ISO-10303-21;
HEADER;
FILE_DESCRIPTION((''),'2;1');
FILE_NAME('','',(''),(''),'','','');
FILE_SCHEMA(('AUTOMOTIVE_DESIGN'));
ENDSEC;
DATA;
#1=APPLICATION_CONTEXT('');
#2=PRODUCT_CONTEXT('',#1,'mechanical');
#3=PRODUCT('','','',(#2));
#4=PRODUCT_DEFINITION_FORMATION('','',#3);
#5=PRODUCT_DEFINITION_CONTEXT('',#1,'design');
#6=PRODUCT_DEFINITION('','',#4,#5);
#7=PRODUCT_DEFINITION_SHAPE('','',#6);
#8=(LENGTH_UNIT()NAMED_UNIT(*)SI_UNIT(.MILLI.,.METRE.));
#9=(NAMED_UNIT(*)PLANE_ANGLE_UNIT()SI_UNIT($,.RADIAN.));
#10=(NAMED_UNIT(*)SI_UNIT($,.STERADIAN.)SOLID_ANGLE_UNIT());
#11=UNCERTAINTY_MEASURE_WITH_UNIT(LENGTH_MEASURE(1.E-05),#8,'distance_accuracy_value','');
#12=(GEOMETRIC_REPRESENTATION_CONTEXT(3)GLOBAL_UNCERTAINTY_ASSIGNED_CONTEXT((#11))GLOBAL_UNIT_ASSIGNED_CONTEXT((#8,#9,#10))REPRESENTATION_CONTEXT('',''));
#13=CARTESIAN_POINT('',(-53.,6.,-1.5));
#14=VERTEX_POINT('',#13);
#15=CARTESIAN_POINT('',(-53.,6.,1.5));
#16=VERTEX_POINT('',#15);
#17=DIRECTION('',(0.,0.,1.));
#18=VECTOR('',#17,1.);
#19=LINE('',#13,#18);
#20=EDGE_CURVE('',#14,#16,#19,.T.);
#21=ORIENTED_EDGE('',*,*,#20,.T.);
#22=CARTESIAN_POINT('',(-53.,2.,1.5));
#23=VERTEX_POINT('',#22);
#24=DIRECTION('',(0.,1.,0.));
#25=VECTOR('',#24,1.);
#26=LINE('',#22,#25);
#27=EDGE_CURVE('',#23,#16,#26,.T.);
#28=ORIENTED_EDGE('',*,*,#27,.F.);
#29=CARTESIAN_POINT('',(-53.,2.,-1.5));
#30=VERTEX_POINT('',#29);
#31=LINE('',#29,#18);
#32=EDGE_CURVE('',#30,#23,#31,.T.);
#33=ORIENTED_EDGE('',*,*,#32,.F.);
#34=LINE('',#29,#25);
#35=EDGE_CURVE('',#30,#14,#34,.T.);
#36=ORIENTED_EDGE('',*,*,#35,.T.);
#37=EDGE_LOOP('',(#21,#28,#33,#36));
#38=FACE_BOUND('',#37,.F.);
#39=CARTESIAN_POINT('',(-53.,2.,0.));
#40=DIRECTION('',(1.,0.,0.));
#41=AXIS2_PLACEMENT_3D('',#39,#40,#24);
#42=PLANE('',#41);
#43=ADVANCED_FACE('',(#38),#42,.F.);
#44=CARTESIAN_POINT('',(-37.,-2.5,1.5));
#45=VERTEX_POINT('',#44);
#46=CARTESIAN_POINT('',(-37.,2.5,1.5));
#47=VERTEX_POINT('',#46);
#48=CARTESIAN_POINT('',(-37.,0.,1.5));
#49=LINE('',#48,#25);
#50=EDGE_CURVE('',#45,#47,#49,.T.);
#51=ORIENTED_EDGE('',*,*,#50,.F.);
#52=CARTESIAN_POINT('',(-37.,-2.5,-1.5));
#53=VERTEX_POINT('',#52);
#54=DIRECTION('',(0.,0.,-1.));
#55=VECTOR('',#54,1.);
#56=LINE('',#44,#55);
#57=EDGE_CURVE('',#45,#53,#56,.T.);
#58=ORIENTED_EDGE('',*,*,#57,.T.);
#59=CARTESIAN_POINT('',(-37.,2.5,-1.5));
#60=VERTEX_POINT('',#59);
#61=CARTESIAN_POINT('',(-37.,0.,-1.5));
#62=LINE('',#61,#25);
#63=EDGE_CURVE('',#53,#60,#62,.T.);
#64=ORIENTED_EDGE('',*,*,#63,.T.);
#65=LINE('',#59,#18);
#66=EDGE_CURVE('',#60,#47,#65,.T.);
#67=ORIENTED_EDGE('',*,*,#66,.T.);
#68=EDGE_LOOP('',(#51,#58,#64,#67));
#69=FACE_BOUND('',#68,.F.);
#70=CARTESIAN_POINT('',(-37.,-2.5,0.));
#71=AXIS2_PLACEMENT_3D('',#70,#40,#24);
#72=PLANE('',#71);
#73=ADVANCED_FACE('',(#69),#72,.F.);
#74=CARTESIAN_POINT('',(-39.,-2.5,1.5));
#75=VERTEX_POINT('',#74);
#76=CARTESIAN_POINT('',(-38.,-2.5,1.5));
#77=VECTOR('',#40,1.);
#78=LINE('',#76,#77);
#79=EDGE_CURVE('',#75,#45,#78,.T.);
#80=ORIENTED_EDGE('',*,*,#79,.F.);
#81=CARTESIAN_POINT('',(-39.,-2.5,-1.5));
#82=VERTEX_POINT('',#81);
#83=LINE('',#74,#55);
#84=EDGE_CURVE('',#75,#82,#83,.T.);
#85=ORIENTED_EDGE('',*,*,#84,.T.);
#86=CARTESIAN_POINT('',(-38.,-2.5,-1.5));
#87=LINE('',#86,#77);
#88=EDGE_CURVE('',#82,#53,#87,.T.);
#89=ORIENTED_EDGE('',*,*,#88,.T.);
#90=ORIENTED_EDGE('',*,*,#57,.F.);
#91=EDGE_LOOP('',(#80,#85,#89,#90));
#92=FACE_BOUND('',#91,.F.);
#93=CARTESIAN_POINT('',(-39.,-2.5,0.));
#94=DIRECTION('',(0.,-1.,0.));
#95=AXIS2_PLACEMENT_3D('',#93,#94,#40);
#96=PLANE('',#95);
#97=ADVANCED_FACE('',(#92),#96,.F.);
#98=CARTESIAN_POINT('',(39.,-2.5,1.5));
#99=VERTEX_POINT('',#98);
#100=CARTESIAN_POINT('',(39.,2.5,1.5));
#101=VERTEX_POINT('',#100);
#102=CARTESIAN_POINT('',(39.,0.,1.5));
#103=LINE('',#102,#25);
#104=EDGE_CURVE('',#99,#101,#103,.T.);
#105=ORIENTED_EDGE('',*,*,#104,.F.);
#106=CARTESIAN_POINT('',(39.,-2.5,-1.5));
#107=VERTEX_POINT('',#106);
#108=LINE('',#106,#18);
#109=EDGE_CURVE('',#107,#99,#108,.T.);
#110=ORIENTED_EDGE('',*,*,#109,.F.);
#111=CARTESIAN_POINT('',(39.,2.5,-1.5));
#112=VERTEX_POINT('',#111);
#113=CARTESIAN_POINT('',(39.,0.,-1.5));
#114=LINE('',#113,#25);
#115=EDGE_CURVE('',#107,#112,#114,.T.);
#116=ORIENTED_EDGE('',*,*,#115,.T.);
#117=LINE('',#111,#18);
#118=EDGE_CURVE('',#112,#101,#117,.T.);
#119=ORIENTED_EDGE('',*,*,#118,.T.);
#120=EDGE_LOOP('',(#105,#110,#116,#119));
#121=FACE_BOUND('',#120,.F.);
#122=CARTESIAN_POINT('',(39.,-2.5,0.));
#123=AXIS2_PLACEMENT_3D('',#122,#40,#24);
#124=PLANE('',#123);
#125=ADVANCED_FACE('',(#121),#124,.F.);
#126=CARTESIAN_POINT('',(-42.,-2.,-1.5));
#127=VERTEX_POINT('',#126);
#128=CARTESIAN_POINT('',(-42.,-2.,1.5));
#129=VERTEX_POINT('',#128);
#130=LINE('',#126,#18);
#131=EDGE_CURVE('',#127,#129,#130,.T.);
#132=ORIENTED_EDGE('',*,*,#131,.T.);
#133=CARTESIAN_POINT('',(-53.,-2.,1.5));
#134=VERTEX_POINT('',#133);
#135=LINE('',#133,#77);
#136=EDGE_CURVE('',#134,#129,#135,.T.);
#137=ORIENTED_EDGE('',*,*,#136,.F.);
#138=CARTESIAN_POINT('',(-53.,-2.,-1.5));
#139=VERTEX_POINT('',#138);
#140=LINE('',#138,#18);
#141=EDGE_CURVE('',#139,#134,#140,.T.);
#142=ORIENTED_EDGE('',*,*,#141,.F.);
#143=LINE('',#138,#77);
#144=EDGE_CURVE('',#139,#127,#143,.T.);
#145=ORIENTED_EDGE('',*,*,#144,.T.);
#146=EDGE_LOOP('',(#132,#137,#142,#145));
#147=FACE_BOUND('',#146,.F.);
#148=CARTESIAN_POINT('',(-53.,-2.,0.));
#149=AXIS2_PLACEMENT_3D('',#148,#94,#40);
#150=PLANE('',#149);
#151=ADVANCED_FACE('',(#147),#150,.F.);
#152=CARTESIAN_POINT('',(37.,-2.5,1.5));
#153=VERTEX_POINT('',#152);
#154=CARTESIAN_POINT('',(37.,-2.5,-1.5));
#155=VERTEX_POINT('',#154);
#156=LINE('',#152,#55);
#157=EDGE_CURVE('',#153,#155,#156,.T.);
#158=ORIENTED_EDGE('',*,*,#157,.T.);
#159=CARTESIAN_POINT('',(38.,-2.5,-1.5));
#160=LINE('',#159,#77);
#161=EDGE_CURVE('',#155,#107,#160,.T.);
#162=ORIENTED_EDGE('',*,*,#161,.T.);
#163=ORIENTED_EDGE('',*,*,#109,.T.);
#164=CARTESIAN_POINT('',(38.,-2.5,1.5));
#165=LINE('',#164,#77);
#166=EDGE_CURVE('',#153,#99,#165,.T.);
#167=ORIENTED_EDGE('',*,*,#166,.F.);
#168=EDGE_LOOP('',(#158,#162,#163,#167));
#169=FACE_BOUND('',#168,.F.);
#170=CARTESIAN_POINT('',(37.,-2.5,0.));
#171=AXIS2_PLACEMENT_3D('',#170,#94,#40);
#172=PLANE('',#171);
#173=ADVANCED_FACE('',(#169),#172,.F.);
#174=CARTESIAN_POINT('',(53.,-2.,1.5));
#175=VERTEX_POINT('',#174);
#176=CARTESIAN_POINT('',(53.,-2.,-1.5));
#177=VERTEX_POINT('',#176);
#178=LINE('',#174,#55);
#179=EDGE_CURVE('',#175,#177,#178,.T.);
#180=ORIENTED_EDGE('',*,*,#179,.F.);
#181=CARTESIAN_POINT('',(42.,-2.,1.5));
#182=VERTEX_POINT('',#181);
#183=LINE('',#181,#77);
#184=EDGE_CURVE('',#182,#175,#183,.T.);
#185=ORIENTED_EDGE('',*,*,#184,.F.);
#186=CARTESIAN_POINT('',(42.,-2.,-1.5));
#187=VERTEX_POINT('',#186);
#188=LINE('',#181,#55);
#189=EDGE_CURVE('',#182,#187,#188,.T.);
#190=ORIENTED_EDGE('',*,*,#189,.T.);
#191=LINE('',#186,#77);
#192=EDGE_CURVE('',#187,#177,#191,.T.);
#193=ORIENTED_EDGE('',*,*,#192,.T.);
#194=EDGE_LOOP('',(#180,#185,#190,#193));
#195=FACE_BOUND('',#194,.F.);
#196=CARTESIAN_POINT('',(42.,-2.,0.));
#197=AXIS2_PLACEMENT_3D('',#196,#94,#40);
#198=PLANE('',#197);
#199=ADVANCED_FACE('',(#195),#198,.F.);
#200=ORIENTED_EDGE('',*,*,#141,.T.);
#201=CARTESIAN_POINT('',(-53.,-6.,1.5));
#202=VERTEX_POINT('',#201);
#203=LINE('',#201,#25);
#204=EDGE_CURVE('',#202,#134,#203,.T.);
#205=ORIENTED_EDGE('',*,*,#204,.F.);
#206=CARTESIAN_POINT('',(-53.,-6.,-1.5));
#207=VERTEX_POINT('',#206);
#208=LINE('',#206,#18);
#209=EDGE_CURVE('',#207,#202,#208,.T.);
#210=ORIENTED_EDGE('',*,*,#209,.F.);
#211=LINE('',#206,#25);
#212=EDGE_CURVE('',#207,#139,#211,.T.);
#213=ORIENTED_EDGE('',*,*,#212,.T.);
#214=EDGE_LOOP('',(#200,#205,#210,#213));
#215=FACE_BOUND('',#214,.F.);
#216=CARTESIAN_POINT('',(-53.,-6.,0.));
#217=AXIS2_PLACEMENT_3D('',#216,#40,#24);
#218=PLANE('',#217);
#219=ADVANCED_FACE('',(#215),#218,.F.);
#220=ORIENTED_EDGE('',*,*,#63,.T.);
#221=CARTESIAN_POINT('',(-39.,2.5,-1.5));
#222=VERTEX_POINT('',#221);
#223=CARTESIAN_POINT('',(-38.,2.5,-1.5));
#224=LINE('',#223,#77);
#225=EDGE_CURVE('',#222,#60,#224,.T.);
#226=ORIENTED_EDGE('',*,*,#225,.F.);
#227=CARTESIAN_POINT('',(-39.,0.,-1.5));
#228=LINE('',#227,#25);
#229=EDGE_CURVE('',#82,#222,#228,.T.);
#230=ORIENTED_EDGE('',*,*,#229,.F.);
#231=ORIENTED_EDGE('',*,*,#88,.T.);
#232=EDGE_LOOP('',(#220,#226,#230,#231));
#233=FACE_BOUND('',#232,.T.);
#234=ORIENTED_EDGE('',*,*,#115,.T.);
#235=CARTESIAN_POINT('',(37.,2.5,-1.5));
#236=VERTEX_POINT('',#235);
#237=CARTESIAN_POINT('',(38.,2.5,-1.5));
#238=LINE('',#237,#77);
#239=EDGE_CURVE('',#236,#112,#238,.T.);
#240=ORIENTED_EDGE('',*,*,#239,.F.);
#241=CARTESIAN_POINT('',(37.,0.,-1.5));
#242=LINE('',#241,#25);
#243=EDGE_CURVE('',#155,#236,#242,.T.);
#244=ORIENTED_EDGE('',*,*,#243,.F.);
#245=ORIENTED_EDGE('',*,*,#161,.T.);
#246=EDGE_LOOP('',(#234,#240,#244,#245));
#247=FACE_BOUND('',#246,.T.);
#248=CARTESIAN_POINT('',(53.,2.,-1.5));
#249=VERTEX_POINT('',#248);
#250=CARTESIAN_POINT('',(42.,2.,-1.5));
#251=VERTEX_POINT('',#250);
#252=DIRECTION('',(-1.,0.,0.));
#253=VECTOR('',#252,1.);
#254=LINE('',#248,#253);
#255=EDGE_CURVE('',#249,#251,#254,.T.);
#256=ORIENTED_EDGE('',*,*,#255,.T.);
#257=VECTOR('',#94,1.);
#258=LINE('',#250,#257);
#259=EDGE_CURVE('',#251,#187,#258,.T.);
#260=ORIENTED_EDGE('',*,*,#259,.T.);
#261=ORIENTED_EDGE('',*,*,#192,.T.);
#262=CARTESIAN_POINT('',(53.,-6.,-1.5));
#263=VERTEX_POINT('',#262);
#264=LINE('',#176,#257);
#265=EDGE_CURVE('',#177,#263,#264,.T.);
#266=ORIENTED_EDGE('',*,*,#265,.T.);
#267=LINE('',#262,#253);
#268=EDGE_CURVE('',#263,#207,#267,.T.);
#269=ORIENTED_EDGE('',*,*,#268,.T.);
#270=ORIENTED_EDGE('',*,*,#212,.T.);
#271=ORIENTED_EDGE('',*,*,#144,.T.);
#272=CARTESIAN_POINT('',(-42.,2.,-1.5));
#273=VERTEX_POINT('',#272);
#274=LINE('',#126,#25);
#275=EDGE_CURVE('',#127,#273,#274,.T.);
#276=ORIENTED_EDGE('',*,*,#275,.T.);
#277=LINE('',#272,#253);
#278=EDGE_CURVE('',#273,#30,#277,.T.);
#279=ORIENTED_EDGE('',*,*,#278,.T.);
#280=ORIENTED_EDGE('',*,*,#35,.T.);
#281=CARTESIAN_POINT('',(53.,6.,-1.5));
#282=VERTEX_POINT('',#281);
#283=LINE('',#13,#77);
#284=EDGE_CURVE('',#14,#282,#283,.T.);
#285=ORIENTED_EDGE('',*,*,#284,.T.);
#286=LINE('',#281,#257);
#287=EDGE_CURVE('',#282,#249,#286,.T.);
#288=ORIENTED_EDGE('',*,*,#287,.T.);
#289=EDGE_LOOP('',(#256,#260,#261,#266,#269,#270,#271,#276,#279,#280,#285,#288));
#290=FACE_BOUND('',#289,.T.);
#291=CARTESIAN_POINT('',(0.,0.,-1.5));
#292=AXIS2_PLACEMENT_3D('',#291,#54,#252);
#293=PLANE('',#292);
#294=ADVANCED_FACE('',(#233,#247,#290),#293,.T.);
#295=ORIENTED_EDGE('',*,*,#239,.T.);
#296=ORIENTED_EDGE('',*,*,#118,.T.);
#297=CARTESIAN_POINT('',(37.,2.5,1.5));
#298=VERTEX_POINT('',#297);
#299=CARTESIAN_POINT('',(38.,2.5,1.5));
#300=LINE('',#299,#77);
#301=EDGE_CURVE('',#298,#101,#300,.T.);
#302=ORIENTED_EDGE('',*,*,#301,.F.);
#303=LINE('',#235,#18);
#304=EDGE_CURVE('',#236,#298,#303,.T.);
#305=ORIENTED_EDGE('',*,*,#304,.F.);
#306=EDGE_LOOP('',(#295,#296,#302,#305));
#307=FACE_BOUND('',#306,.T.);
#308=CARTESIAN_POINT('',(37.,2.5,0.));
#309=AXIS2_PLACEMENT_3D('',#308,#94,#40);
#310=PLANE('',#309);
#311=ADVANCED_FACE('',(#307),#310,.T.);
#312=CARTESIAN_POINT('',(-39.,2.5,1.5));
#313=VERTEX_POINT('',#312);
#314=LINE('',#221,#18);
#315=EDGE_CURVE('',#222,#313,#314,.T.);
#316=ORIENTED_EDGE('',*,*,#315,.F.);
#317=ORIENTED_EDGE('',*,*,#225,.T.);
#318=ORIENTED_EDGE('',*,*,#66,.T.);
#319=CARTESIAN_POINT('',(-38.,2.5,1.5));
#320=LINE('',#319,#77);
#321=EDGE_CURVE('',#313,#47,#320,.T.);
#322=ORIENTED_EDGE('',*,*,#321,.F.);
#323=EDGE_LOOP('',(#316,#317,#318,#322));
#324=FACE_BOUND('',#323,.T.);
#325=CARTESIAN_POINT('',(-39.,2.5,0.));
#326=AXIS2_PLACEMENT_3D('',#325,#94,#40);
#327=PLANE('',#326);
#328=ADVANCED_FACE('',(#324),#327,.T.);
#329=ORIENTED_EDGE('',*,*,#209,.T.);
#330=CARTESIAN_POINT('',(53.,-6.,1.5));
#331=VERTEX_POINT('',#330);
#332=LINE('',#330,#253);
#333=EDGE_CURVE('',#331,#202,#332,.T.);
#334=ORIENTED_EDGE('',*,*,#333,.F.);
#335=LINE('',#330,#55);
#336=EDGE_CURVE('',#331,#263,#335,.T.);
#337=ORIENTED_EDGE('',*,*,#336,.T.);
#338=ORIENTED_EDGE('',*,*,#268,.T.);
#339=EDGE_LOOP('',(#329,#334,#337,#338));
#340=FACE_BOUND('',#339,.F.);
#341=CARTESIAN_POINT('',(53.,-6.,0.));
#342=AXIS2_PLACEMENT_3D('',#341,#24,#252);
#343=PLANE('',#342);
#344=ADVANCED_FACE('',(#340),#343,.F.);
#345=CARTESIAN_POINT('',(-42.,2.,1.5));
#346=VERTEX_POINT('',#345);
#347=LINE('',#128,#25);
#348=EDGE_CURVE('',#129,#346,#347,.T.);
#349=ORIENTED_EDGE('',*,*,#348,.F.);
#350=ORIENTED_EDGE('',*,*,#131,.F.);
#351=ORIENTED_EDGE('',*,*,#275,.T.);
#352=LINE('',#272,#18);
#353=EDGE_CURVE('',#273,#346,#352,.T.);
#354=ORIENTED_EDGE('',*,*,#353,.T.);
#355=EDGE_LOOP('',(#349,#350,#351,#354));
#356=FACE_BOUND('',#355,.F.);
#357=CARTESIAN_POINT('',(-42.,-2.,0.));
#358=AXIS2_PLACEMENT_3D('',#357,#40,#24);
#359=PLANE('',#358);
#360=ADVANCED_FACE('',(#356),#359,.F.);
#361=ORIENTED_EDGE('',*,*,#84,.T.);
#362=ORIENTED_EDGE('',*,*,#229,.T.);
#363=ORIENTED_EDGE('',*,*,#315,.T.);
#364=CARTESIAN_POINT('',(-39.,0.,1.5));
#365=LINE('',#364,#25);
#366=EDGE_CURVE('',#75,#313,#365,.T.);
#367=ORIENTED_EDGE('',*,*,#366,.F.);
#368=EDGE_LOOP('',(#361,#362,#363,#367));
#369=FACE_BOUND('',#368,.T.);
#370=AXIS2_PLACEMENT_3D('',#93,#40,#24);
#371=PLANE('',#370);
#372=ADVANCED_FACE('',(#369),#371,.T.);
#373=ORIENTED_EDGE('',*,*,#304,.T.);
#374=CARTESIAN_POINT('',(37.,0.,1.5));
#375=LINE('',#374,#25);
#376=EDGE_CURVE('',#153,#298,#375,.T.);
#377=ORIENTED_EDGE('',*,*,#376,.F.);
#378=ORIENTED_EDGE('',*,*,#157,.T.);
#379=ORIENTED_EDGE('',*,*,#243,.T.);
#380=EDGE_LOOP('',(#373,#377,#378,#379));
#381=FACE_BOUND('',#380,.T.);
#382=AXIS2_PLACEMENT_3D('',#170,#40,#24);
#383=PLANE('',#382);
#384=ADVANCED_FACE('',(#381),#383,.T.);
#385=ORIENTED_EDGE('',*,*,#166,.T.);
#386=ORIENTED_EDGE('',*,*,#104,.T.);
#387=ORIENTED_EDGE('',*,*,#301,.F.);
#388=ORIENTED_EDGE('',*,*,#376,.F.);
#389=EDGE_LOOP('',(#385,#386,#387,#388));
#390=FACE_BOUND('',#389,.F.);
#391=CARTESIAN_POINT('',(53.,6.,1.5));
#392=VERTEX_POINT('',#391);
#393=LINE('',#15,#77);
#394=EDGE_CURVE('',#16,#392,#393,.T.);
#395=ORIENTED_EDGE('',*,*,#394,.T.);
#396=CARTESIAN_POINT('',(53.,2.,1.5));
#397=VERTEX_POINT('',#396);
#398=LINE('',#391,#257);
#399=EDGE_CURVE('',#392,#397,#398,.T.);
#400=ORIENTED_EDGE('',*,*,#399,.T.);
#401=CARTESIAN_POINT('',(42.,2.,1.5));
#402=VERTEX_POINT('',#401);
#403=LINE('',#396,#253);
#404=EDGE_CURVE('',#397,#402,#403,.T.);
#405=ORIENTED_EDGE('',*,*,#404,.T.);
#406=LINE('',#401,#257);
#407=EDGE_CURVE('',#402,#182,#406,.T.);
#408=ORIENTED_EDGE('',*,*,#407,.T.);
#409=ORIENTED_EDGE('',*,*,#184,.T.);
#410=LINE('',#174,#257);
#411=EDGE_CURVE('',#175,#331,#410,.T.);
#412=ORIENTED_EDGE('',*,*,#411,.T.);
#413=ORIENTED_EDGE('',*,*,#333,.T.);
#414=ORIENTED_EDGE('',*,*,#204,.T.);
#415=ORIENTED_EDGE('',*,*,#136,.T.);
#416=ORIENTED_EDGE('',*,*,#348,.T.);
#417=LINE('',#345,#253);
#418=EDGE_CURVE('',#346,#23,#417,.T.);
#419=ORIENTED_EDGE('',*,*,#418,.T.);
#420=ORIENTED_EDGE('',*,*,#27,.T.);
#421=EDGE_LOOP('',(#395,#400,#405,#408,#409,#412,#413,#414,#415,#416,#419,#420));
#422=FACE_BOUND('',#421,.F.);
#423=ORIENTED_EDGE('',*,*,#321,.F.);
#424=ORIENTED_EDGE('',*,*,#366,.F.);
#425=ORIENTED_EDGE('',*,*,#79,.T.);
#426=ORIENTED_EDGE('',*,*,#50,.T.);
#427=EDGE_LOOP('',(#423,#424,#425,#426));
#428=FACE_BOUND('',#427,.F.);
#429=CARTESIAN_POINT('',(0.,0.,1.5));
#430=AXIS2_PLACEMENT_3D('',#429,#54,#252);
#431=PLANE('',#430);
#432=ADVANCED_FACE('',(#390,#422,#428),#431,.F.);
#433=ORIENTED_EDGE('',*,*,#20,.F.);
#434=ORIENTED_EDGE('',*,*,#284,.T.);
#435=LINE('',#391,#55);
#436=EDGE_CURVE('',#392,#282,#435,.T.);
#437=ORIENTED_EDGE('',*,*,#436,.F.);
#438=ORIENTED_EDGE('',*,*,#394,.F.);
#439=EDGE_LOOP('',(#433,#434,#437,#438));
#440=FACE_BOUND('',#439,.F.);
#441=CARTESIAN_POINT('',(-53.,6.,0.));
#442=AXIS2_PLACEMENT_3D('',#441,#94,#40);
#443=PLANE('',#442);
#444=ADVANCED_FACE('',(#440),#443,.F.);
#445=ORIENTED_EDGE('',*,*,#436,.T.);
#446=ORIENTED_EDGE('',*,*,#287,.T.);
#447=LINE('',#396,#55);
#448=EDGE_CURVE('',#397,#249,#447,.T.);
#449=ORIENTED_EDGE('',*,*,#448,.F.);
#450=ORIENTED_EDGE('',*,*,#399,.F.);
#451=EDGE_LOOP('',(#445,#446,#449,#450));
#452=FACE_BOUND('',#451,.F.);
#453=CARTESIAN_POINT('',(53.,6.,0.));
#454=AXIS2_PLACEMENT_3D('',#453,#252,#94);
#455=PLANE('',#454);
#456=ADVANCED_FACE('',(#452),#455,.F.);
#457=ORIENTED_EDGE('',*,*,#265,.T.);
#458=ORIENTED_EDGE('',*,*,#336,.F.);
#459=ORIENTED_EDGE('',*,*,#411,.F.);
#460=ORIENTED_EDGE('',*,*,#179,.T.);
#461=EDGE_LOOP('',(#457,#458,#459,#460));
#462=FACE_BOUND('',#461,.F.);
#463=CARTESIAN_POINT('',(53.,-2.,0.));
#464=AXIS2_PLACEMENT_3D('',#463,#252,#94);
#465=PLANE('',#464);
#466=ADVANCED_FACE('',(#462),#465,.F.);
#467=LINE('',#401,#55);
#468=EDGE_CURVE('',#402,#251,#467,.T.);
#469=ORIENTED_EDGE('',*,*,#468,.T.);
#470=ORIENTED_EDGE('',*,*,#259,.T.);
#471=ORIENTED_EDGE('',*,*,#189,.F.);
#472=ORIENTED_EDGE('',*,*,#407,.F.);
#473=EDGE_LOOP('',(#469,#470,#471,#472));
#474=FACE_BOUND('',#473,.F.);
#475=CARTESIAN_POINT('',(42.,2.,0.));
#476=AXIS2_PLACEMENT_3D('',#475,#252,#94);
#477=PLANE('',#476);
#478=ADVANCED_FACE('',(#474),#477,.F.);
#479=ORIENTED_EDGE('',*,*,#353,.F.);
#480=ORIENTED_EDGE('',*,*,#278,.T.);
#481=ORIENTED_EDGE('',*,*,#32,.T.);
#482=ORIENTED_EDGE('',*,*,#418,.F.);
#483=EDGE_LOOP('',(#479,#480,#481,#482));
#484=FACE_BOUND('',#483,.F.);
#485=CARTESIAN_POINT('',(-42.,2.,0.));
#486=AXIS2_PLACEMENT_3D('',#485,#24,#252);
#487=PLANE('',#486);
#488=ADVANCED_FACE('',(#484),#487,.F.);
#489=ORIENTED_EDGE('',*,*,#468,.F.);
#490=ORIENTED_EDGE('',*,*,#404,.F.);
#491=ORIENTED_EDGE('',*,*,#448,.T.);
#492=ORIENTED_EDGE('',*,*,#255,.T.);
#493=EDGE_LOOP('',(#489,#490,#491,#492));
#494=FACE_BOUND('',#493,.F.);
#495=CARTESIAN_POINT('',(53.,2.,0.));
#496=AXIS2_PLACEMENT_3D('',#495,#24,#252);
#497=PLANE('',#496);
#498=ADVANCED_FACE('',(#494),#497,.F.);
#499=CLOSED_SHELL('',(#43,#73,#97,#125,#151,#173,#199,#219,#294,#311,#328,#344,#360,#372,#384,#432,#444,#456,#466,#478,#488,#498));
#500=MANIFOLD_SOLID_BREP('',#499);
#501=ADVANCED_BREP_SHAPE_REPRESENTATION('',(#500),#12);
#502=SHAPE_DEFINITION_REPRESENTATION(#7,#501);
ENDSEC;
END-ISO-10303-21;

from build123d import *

# Parameters (mm, degrees)
SKETCH_W  = 2
SKETCH_H  = 5
PAD_DEPTH = 1.5


with BuildPart() as part:
    # Sketch → Pad (new body, symmetric)
    with BuildSketch(Plane.XY):
        Polygon((-53, 6), (53, 6), (53, 2), (42, 2), (42, -2), (53, -2), (53, -6), (-53, -6), (-53, -2), (-42, -2), (-42, 2), (-53, 2), align=None)
        with Locations((-38, 0)):
            Rectangle(SKETCH_W, SKETCH_H, mode=Mode.SUBTRACT)
        with Locations((38, 0)):
            Rectangle(SKETCH_W, SKETCH_H, mode=Mode.SUBTRACT)
    extrude(amount=PAD_DEPTH, both=True)


solid = part.part
